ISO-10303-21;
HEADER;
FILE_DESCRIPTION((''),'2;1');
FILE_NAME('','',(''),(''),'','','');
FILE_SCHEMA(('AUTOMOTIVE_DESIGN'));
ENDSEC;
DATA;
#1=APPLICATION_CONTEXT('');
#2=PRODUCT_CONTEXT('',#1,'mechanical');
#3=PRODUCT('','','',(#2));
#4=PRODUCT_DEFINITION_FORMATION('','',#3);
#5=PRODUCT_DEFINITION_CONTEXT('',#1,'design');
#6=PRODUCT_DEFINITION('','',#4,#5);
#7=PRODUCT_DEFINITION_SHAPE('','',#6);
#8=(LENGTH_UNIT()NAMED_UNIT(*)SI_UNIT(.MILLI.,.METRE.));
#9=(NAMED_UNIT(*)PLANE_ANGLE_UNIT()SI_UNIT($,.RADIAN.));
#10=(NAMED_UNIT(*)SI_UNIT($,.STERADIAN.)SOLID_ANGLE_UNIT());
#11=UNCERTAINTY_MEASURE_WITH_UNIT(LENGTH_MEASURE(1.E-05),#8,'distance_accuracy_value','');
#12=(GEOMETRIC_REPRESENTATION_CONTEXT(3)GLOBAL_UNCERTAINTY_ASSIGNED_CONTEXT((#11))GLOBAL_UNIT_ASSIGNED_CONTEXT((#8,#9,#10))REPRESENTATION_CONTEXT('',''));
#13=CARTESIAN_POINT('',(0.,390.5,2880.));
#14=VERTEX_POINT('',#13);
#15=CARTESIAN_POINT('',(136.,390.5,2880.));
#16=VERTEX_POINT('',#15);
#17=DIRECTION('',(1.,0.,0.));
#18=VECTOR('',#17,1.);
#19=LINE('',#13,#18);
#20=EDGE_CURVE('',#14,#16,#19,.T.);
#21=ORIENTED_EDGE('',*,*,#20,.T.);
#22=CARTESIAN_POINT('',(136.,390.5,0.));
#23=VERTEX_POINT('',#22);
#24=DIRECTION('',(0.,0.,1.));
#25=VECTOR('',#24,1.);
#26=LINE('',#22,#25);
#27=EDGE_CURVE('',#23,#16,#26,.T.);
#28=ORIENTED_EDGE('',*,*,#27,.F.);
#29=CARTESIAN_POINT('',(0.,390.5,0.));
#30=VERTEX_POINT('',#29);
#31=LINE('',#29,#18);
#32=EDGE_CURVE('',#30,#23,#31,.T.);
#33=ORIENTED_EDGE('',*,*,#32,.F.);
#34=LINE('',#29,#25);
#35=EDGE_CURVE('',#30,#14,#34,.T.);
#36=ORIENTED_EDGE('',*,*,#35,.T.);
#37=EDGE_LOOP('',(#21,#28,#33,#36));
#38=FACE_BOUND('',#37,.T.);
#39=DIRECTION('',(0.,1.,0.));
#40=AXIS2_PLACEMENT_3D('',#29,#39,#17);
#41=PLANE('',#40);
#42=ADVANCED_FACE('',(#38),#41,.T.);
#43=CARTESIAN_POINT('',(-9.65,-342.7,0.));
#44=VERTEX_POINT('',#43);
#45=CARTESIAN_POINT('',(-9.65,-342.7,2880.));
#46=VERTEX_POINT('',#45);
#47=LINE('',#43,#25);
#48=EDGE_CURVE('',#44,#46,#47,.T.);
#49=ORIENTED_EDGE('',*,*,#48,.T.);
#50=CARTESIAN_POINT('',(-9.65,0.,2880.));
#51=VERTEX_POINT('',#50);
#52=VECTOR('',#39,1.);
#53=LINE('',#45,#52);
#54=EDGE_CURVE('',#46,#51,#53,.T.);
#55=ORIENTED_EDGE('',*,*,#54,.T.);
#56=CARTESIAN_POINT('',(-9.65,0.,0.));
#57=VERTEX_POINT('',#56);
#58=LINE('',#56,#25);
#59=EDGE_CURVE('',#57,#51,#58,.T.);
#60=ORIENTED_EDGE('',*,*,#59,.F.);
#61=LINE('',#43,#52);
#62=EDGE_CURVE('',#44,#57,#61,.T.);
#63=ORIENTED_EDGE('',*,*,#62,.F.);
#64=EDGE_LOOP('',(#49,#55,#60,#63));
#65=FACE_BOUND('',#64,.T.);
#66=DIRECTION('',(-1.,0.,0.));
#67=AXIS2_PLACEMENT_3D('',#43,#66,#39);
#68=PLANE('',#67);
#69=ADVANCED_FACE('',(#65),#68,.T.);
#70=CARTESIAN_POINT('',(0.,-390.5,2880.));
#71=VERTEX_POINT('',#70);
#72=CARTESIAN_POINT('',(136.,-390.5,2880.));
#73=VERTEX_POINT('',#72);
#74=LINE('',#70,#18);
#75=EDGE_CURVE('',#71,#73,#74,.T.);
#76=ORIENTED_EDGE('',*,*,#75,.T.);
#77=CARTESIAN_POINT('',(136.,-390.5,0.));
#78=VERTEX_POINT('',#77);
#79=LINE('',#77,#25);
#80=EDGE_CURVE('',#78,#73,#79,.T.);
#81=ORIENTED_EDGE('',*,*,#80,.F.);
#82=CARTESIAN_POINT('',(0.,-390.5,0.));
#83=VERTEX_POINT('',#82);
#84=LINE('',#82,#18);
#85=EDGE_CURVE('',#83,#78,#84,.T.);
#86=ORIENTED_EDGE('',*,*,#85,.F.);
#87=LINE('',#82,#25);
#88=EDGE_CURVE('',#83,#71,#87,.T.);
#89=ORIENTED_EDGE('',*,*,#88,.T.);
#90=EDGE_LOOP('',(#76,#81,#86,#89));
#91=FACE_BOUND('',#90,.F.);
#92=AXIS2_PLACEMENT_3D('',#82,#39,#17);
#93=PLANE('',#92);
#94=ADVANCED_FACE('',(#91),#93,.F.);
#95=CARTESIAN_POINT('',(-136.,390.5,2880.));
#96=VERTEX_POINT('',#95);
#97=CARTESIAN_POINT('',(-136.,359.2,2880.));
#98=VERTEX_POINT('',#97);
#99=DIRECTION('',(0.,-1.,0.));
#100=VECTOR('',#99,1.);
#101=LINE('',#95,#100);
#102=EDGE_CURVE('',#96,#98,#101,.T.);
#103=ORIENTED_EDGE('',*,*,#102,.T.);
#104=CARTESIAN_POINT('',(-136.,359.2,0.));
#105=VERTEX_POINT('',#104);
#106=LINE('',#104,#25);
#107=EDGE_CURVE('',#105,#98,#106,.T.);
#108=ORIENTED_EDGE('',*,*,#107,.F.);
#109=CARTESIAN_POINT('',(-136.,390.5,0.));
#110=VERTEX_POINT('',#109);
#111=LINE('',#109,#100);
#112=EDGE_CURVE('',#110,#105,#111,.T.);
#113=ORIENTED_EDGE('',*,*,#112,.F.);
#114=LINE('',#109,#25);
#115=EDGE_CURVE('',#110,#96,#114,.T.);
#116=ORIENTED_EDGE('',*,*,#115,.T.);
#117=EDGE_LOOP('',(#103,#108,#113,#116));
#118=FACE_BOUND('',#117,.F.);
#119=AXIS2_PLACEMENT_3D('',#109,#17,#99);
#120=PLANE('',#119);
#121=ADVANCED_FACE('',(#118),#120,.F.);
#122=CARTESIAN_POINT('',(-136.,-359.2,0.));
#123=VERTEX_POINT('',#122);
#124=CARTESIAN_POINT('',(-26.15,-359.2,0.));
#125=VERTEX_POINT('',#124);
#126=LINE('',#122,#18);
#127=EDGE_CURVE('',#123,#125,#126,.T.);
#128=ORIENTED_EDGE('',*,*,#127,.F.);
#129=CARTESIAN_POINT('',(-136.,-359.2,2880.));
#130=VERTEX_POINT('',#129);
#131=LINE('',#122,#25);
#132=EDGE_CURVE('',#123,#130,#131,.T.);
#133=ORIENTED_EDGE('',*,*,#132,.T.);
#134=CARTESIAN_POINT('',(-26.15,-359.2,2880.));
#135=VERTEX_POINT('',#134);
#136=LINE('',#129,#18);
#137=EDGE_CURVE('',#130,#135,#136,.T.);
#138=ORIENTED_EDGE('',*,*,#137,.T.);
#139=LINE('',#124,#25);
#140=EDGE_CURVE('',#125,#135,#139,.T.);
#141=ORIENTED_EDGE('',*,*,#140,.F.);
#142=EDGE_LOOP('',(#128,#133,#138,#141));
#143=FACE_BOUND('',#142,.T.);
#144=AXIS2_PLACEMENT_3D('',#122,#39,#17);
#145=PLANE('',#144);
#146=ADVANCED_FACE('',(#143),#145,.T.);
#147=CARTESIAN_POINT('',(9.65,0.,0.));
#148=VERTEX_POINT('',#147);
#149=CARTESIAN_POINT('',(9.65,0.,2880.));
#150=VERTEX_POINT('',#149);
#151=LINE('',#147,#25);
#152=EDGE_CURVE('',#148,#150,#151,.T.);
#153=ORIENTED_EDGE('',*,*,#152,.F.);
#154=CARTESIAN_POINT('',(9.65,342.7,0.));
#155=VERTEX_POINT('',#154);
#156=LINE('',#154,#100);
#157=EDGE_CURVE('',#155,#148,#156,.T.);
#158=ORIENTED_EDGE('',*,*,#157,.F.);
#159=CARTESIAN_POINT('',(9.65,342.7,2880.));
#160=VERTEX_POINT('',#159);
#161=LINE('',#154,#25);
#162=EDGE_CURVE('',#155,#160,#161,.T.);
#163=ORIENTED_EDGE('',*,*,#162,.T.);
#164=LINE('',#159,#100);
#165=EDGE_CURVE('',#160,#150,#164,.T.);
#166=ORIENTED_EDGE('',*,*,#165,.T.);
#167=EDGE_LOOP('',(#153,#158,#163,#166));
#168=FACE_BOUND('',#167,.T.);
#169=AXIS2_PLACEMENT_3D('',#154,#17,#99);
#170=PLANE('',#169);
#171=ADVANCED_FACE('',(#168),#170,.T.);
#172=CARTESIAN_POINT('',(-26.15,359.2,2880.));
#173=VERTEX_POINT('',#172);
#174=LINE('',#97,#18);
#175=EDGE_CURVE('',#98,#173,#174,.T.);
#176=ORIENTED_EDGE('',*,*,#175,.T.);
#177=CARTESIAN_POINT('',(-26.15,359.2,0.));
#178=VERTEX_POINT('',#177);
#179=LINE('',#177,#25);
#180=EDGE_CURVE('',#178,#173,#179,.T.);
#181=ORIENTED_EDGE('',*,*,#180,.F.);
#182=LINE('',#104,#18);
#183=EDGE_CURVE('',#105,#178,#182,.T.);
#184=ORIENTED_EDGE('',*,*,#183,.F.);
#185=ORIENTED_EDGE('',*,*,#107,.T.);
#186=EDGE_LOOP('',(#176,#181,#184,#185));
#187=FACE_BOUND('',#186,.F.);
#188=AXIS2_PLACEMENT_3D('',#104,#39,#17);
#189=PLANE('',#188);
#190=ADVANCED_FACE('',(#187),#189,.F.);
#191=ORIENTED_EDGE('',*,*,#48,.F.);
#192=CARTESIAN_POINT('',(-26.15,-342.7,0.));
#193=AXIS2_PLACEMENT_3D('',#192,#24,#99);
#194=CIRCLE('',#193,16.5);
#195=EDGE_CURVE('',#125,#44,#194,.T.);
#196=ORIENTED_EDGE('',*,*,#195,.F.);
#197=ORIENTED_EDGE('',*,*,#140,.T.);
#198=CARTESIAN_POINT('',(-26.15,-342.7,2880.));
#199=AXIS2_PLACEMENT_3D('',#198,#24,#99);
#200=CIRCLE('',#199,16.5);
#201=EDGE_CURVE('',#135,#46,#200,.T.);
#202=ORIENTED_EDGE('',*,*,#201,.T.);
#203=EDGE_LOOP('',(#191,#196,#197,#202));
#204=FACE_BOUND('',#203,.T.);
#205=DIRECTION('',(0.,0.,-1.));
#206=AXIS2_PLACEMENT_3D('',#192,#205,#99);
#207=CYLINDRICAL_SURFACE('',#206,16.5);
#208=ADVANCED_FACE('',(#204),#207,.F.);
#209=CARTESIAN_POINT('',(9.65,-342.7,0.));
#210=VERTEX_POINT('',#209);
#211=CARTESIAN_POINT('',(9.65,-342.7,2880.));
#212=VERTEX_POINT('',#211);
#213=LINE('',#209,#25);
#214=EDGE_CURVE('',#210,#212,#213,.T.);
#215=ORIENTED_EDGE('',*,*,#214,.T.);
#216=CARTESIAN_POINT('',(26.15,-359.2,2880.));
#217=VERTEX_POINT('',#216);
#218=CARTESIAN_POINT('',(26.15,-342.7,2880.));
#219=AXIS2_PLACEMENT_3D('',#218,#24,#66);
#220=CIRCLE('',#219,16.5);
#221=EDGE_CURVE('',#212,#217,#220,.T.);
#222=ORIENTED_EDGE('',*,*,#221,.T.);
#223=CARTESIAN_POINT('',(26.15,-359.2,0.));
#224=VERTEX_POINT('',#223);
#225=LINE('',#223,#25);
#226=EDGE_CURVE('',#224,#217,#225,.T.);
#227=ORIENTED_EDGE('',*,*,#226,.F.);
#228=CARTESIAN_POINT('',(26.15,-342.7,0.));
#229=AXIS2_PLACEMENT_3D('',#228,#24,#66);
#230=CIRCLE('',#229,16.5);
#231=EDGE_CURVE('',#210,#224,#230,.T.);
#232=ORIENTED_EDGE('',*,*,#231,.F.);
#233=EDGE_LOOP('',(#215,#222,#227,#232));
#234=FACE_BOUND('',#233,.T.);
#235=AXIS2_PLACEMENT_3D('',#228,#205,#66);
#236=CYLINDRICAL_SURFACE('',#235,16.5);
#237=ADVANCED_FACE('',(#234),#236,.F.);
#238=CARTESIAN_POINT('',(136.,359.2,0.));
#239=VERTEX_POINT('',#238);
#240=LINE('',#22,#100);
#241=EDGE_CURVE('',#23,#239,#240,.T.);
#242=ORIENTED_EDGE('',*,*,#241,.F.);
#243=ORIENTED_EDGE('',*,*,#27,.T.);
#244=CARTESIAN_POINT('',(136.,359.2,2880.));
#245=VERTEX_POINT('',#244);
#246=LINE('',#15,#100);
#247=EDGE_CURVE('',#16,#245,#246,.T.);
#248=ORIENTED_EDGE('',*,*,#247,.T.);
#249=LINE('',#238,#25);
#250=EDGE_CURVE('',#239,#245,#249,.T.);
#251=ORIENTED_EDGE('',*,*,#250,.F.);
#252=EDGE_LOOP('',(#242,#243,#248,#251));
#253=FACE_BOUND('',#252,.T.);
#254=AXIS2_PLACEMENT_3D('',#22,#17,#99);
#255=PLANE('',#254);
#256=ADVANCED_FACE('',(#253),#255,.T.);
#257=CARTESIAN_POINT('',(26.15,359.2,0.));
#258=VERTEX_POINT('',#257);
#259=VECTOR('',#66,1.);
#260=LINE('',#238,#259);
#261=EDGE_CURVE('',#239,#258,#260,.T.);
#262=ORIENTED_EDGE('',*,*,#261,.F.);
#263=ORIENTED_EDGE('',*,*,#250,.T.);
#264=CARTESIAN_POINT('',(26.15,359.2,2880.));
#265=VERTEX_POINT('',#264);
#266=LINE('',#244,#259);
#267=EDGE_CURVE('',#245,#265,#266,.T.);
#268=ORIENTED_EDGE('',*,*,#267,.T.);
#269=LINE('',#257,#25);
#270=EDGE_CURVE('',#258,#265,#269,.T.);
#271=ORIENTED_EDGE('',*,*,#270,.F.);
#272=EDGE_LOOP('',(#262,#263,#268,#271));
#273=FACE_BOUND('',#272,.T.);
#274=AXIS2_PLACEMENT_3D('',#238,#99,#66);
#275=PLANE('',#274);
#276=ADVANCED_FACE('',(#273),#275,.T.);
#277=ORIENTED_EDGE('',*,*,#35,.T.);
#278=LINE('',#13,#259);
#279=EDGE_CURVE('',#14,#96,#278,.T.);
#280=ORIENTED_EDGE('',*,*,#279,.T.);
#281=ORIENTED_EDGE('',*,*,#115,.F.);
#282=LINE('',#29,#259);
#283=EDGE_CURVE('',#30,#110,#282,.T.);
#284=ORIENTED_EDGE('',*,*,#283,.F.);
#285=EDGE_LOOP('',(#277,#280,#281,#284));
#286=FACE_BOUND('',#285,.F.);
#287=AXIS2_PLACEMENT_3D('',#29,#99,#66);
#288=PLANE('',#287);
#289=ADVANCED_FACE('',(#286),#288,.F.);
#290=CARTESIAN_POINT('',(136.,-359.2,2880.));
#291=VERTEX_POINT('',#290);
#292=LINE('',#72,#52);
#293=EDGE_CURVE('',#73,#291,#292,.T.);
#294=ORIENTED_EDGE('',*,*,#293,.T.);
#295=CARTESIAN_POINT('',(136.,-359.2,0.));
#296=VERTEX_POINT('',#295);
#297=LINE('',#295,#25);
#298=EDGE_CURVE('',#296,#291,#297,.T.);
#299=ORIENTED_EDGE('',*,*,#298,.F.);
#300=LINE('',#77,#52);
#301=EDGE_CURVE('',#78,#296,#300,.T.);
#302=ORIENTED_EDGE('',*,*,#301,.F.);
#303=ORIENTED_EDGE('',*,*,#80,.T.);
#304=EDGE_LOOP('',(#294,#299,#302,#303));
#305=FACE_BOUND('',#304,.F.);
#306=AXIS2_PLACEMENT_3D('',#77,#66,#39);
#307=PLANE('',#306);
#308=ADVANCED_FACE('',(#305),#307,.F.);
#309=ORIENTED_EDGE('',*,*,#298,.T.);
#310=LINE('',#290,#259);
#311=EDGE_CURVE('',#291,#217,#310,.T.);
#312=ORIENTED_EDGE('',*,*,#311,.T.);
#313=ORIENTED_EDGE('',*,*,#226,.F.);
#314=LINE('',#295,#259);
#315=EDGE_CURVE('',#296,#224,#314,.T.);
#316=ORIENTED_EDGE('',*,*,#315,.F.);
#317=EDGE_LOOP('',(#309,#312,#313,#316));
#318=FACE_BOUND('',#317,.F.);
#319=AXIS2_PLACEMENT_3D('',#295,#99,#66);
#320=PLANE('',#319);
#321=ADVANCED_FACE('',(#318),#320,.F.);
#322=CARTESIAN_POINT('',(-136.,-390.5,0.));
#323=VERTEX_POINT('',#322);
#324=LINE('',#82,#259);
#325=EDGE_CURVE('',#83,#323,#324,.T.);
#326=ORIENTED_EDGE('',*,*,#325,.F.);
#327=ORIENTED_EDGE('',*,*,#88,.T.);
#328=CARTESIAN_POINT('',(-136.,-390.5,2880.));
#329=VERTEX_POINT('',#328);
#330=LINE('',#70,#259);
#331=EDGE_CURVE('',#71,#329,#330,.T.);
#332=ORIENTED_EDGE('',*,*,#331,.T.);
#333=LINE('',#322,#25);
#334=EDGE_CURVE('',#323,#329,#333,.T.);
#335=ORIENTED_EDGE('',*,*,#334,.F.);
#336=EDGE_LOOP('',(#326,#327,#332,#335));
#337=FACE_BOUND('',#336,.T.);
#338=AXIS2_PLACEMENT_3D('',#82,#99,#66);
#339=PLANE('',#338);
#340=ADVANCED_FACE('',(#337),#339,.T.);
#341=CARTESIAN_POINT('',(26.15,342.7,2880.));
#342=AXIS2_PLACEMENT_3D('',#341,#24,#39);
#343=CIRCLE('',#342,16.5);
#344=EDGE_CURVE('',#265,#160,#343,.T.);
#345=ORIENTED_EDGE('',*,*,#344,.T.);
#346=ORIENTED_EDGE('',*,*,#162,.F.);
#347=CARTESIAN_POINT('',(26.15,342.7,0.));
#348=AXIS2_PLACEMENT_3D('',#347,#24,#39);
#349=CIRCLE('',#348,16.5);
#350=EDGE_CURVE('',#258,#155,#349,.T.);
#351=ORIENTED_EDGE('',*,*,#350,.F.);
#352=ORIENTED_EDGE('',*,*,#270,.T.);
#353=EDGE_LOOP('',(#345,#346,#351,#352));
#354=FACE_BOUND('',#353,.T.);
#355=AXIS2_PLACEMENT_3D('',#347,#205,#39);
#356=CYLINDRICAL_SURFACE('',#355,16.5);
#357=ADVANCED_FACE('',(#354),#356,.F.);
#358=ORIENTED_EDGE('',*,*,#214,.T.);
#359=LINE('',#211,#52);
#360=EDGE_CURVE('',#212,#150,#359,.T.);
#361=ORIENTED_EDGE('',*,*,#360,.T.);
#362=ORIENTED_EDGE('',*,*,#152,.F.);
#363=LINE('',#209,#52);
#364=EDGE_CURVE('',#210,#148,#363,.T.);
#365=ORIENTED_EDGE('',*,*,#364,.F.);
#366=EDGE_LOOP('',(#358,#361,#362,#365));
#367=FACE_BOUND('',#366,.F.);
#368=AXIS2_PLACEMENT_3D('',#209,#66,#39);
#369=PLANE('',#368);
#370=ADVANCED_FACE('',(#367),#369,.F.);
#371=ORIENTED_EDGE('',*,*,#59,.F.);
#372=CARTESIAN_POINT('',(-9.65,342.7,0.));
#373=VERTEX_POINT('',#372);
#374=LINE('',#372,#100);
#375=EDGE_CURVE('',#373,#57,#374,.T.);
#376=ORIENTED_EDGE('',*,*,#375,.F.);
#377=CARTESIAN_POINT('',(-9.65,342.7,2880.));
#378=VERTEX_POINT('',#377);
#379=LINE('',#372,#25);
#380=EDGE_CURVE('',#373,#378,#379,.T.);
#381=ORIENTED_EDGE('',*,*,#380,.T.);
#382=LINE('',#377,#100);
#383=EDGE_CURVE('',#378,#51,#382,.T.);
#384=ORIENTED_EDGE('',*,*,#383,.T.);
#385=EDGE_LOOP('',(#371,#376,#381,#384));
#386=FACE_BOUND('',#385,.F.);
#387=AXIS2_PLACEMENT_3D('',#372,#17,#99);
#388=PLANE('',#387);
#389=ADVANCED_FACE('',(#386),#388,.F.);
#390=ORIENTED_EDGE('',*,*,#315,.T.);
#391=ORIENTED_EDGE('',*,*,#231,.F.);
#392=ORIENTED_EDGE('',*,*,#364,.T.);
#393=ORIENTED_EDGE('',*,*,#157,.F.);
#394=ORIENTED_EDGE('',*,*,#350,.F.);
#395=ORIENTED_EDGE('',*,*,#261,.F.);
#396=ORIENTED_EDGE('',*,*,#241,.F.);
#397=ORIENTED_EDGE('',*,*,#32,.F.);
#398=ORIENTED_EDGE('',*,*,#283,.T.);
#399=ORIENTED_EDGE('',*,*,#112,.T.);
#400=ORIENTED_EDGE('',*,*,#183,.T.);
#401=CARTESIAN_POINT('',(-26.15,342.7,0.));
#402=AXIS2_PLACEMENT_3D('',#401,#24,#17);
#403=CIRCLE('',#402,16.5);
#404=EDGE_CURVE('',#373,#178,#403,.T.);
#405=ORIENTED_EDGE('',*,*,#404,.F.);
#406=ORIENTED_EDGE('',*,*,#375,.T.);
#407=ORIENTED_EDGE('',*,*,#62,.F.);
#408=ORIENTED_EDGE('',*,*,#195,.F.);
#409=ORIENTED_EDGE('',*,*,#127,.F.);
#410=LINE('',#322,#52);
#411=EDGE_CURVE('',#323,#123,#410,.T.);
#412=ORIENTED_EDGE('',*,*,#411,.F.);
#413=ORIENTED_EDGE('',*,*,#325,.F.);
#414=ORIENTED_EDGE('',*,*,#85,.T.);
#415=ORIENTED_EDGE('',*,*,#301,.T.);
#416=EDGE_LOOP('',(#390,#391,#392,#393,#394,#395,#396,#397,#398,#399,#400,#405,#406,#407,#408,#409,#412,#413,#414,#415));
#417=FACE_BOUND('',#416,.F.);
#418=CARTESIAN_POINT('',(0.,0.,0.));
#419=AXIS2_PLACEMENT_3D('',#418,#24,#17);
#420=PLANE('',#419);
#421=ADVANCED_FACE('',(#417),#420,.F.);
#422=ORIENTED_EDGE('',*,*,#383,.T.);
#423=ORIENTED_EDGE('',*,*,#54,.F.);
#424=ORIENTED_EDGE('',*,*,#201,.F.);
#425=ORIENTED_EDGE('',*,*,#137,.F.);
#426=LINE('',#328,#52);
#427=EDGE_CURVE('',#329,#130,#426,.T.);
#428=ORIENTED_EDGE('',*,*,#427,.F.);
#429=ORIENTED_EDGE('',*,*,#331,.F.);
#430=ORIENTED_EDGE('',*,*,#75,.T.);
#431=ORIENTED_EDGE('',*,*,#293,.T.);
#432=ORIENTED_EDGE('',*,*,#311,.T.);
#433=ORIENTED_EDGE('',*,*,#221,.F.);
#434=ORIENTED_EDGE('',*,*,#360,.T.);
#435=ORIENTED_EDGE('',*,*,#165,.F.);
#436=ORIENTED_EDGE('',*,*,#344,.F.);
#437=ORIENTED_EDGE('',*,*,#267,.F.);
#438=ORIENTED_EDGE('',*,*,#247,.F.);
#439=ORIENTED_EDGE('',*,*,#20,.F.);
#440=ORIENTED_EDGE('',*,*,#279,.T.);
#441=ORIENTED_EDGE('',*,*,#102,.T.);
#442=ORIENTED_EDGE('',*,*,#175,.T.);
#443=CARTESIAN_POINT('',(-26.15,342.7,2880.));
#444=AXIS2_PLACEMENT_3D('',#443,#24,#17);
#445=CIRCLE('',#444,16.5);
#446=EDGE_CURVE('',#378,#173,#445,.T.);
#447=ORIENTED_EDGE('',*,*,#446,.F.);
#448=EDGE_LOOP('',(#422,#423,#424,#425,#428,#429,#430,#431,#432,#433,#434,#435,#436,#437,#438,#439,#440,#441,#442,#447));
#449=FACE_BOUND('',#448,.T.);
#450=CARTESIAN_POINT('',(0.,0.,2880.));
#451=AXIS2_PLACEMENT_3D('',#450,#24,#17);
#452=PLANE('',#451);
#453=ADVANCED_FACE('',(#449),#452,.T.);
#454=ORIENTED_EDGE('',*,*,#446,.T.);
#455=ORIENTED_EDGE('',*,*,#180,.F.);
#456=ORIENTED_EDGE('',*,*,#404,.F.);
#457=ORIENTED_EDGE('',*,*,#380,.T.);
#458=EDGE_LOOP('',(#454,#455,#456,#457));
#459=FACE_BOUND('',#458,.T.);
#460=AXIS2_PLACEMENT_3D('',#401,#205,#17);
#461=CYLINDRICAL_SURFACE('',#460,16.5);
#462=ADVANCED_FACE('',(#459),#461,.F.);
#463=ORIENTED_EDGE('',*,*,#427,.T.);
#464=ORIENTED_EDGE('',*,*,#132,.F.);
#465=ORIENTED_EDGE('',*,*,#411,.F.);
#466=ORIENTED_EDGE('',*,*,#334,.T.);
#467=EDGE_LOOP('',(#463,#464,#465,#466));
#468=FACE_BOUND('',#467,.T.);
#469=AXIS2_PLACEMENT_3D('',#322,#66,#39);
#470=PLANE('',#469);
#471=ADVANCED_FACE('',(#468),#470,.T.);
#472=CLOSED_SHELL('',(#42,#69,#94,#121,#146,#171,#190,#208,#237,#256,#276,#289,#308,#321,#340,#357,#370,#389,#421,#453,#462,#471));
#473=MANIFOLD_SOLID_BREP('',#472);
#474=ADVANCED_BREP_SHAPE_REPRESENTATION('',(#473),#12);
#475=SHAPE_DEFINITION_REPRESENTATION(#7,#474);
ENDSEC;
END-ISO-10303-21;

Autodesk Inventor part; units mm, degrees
ref_plane "YZ Plane" through (0, 0, 0) normal (1, 0, 0) x (0, 1, 0)
ref_plane "Start plane" through (0, 0, 0) normal (0, 0, 1) x (1, 0, 0)
ref_plane "End plane" through (0, 0, 2880) normal (0, 0, 1) x (1, 0, 0)
sketch "Sketch" plane through (0, 0, 0) normal (0, 0, 1) x (1, 0, 0)
  line L0 (-136, -390.5) -> (-136, -359.2)
  line L1 (-136, -359.2) -> (-26.15, -359.2)
  line L2 (-9.65, -342.7) -> (-9.65, 0)
  line L3 (-9.65, 0) -> (0, 0) construction
  line L4 (0, 0) -> (0, -390.5) construction
  line L5 (0, -390.5) -> (-136, -390.5)
  line L6 (-60, 0) -> (80, 0) construction
  line L7 (0, -60) -> (0, 80) construction
  line L8 (136, -390.5) -> (136, -359.2)
  line L9 (136, -359.2) -> (26.15, -359.2)
  line L10 (9.65, -342.7) -> (9.65, 0)
  line L11 (9.65, 0) -> (0, 0) construction
  line L12 (0, -390.5) -> (136, -390.5)
  line L13 (-136, 390.5) -> (-136, 359.2)
  line L14 (-136, 359.2) -> (-26.15, 359.2)
  line L15 (-9.65, 342.7) -> (-9.65, 0)
  line L16 (0, 390.5) -> (-136, 390.5)
  line L17 (136, 390.5) -> (136, 359.2)
  line L18 (136, 359.2) -> (26.15, 359.2)
  line L19 (0, 390.5) -> (136, 390.5)
  line L20 (9.65, 342.7) -> (9.65, 0)
  arc A0 (-9.65, 342.7) -> (-26.15, 359.2) centre (-26.15, 342.7) ccw
  arc A1 (26.15, 359.2) -> (9.65, 342.7) centre (26.15, 342.7) ccw
  arc A2 (9.65, -342.7) -> (26.15, -359.2) centre (26.15, -342.7) ccw
  arc A3 (-26.15, -359.2) -> (-9.65, -342.7) centre (-26.15, -342.7) ccw
  line L21 (0, 108) -> (0, -88) construction
  line L22 (-88, 0) -> (108, 0) construction
  point P0 (-9.65, -359.2)
  point P1 (9.65, -359.2)
  point P2 (-9.65, 359.2)
  point P3 (9.65, 359.2)
  dimension "d1" = 390.5
  dimension "d2" = 31.3
  dimension "d3" = 136
  dimension "d4" = 9.65
  dimension "d10" = 16.5
extrude "Body" add sketch "Sketch" along normal up to surface (2880 mm away) from surface at 0
sketch "Sketch4" plane through (0, 0, 0) normal (0, 0, 1) x (1, 0, 0)
  line L0 (0, 0) -> (10, 0)
ref_plane "Work Plane3" through (0, 0, 0) normal (0, -1, 0) x (1, 0, 0)
sketch "Sketch5" plane through (0, 0, 0) normal (0, -1, 0) x (1, 0, 0)
  line L0 (-2, 0) -> (12, 0) projected
  line L1 (-2, 2880) -> (12, 2880) projected
  dimension "d14" = 2880
equation "\"d1\" = 0.5 * G_H"
equation "\"d2\" = G_T1"
equation "\"d3\" = 0.5 * G_W"
equation "\"d4\" = 0.5 * G_T"
equation "\"d10\" = G_IR"
equation "\"d5\" = G_L"
equation "\"G_W\" = 272"
equation "\"G_H\" = 781"
equation "\"G_T\" = 19.3"
equation "\"G_T1\" = 31.3"
equation "\"G_IR\" = 16.5"
equation "\"G_L\" = d14"
equation "\"G_OFFSET_START\" = 0"
equation "\"G_OFFSET_END\" = 0"
properties part number "AS 3679-1990 - 760 UB - 244 - 2880" material "Steel, Mild"
